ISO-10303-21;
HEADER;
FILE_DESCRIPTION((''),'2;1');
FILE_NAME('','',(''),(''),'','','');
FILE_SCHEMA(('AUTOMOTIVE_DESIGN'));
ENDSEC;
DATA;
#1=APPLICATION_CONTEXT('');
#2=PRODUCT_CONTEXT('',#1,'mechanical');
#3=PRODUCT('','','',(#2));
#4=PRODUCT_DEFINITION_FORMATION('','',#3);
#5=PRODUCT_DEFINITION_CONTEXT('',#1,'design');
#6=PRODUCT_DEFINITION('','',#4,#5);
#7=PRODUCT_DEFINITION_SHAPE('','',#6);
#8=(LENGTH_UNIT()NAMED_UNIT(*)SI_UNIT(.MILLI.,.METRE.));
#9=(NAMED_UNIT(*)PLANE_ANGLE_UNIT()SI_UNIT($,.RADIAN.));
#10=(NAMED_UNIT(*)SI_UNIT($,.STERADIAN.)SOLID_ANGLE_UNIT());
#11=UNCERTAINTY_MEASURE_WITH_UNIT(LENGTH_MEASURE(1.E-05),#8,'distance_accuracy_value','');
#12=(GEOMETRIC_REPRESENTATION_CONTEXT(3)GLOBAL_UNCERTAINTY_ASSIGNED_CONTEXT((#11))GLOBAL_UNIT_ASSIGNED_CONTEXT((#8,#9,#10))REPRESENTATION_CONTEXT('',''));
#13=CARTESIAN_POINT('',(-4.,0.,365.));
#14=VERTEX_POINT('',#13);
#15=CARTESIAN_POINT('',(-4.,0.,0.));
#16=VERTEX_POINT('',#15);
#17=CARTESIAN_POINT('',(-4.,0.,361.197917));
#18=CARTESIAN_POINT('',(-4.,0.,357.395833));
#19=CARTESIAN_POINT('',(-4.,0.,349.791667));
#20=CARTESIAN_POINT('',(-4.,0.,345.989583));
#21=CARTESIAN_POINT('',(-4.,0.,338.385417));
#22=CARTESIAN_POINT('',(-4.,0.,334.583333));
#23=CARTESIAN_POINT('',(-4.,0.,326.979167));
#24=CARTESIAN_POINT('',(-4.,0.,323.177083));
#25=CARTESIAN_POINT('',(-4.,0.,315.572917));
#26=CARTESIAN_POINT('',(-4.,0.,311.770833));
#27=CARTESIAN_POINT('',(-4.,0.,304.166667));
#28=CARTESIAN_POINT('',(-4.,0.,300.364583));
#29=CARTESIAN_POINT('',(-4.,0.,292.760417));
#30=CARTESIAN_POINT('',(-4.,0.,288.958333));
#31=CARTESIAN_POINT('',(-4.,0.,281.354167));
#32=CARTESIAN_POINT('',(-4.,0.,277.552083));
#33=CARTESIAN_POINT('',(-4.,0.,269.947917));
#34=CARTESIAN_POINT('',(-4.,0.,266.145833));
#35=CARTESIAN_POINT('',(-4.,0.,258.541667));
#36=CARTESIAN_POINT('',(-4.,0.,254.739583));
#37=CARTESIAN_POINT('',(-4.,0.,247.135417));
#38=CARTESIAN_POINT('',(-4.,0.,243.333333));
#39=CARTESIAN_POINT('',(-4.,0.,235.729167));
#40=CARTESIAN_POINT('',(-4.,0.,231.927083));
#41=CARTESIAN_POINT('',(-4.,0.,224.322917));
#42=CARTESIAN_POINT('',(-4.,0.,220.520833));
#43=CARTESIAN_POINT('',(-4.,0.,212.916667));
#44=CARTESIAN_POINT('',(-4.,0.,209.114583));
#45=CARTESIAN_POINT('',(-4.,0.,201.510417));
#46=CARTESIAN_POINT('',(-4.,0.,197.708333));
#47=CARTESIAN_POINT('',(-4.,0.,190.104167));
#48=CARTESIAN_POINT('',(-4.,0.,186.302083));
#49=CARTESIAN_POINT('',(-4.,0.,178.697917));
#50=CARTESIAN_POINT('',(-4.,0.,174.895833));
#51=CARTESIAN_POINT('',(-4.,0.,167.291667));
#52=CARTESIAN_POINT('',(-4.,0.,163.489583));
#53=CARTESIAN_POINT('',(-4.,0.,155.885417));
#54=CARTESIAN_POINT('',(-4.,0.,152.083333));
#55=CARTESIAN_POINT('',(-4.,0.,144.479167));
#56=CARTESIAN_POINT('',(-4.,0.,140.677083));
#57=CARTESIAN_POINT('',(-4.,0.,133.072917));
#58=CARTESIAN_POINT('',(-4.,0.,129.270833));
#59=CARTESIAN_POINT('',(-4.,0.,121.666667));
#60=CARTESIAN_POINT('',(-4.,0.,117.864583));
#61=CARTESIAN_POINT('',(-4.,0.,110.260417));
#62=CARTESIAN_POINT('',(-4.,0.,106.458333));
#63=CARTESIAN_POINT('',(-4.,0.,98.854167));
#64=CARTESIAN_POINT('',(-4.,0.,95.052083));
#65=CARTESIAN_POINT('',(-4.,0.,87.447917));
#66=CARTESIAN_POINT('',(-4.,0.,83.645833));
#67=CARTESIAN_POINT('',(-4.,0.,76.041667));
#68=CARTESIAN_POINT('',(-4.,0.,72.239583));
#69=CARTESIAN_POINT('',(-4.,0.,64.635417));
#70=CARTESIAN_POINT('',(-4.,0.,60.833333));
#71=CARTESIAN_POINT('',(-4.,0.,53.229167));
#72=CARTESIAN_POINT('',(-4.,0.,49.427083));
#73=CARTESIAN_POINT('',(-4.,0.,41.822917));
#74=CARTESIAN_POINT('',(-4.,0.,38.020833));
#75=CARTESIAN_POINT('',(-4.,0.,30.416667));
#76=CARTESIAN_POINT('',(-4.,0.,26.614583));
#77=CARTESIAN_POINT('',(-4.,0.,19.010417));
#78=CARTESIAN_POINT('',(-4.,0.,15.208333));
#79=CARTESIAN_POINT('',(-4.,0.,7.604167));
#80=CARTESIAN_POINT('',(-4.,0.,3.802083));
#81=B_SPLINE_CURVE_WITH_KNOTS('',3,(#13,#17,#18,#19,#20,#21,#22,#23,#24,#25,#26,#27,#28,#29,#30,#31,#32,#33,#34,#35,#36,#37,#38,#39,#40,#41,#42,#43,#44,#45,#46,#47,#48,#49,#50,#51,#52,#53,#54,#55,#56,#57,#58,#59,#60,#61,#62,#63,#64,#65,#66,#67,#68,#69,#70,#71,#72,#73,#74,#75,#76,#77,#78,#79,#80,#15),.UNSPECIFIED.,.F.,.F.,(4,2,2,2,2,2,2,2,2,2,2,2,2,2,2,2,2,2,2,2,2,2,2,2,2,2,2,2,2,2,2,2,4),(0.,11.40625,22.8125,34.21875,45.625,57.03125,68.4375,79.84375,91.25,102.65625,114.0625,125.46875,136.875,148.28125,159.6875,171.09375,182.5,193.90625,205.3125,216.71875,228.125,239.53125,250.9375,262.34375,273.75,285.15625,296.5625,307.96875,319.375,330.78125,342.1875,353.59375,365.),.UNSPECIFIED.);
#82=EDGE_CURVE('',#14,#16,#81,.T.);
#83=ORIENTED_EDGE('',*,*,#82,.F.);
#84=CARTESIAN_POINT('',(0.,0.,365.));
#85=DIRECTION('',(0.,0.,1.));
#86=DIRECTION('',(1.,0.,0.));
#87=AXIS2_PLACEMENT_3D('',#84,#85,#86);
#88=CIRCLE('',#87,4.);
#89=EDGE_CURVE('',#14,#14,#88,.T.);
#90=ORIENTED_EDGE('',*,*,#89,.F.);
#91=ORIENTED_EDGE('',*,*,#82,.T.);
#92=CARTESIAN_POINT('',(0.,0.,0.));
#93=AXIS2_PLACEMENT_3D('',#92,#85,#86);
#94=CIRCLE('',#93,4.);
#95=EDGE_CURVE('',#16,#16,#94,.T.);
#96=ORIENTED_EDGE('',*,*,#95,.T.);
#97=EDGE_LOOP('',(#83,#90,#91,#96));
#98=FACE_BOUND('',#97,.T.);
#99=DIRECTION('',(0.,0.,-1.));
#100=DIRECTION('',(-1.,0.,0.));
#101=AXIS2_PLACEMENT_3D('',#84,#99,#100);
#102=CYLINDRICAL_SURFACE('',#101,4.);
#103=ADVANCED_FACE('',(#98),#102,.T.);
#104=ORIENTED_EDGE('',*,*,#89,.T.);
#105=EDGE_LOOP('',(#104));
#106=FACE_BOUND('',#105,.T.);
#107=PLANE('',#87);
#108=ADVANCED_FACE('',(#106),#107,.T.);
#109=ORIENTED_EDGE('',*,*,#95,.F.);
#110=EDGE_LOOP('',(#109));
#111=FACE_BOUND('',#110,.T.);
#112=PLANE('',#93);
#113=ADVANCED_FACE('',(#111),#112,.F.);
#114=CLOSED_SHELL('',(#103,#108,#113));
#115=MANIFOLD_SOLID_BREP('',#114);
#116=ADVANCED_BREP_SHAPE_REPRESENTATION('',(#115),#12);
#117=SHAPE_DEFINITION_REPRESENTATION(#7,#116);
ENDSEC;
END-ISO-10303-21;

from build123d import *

# Parameters (mm, degrees)
ESQUISSE1_R        = 4
BOSS_EXTRU_1_DEPTH = 365


with BuildPart() as part:
    # Esquisse1 → Boss.-Extru.1 (new body)
    with BuildSketch(Plane.XY):
        with Locations(Location((0, 0, 0), (0, 0, 180))):
            Circle(ESQUISSE1_R)
    extrude(amount=BOSS_EXTRU_1_DEPTH)


solid = part.part
